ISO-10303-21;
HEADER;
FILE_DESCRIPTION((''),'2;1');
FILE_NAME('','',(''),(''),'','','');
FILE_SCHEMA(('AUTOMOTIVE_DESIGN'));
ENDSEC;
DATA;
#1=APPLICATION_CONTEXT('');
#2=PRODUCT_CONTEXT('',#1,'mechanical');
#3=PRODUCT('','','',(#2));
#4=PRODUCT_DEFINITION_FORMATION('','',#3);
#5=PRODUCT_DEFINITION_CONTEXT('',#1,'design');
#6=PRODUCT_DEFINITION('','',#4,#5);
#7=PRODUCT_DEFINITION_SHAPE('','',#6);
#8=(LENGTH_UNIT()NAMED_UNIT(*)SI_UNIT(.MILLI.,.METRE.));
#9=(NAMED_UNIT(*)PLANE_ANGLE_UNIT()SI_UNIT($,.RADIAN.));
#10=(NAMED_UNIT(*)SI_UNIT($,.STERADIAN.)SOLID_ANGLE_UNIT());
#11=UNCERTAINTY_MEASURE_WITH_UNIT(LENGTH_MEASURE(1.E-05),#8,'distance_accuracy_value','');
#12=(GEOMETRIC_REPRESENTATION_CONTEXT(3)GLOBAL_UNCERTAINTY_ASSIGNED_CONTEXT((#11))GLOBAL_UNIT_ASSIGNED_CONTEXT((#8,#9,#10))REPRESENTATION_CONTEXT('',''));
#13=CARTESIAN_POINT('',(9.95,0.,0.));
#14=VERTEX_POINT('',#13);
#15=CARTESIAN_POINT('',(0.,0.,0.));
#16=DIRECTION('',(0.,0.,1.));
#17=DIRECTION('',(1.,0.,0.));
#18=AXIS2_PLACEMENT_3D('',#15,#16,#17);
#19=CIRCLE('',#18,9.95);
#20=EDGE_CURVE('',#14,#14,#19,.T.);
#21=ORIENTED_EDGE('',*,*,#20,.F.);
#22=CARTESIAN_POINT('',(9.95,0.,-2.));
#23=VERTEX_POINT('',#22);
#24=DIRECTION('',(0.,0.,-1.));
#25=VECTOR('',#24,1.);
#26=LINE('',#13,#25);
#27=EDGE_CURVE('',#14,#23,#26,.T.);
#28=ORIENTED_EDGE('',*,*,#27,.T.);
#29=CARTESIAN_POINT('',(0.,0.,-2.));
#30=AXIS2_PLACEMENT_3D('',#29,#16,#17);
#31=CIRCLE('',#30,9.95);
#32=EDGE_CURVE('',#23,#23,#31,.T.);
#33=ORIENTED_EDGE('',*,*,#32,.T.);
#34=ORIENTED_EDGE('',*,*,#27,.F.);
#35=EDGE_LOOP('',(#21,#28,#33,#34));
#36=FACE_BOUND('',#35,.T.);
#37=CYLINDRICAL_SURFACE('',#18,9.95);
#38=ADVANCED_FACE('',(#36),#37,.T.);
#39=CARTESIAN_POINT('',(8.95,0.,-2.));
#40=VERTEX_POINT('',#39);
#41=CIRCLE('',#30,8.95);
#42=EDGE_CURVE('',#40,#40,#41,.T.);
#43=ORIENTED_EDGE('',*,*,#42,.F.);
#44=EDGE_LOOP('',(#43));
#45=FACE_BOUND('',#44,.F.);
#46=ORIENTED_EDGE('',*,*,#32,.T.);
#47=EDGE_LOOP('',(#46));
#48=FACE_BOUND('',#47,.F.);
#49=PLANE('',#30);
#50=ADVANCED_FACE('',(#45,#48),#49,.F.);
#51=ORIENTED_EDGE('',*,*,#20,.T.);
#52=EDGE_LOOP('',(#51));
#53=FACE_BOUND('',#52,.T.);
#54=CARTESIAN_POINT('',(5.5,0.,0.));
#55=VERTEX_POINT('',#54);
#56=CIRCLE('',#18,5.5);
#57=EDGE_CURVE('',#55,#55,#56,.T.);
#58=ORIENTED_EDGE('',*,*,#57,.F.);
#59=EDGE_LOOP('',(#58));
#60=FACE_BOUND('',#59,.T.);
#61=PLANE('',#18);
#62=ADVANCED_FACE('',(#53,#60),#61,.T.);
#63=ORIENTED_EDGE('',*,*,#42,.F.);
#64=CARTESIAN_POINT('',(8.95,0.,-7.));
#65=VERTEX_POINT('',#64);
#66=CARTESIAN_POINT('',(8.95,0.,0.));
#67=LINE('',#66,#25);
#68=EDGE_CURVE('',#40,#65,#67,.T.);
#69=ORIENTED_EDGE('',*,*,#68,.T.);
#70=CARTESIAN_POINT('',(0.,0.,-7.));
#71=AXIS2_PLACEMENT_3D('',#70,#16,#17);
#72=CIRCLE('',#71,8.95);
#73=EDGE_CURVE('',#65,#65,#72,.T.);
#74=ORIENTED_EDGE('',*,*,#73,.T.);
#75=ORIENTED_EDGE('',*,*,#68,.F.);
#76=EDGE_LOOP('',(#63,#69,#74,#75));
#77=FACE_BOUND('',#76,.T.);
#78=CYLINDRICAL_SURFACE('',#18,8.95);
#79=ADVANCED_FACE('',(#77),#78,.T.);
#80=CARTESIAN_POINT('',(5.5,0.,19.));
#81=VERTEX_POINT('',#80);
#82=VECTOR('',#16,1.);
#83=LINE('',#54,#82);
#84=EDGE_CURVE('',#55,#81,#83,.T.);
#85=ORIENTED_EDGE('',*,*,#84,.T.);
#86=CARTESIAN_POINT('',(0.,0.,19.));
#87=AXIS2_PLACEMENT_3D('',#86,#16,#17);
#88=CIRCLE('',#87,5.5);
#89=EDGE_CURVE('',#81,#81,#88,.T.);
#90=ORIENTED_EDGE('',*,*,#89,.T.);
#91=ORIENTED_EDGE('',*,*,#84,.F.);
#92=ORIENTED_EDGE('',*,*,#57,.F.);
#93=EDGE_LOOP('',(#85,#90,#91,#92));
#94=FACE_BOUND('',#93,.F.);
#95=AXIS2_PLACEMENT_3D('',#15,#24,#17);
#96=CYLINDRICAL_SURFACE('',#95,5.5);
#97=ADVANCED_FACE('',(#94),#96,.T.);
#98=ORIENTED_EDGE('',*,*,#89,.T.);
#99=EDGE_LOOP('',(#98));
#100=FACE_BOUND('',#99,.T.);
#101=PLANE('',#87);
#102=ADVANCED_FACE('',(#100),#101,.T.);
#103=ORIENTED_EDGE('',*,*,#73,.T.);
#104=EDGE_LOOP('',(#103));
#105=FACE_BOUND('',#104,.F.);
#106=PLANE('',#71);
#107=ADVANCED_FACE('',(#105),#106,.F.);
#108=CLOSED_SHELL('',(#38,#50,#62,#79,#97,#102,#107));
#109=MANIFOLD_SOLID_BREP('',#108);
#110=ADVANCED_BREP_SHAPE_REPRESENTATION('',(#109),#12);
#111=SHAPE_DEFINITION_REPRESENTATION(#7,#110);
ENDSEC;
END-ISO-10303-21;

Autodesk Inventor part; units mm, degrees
ref_plane "YZ Plane" through (0, 0, 0) normal (1, 0, 0) x (0, 1, 0)
ref_plane "XZ Plane" through (0, 0, 0) normal (0, 1, 0) x (-1, 0, 0)
ref_plane "XY Plane" through (0, 0, 0) normal (0, 0, 1) x (1, 0, 0)
sketch "Эскиз1" plane through (0, 0, 0) normal (0, 0, 1) x (1, 0, 0)
  circle A0 centre (0, 0) radius 8.95
  circle A1 centre (0, 0) radius 9.95
  circle A2 centre (0, 0) radius 5.5
  dimension "d0" = 17.9
  dimension "d1" = 19.9
  dimension "d2" = 11
extrude "Выдавливание1" add sketch "Эскиз1" along normal blind 19 contours A2
extrude "Выдавливание2" add sketch "Эскиз1" against normal blind 2 contours A0 | A1 | A2
extrude "Выдавливание3" add sketch "Эскиз1" against normal blind 7 contours A0 | A2
properties part number "деталь ек"
